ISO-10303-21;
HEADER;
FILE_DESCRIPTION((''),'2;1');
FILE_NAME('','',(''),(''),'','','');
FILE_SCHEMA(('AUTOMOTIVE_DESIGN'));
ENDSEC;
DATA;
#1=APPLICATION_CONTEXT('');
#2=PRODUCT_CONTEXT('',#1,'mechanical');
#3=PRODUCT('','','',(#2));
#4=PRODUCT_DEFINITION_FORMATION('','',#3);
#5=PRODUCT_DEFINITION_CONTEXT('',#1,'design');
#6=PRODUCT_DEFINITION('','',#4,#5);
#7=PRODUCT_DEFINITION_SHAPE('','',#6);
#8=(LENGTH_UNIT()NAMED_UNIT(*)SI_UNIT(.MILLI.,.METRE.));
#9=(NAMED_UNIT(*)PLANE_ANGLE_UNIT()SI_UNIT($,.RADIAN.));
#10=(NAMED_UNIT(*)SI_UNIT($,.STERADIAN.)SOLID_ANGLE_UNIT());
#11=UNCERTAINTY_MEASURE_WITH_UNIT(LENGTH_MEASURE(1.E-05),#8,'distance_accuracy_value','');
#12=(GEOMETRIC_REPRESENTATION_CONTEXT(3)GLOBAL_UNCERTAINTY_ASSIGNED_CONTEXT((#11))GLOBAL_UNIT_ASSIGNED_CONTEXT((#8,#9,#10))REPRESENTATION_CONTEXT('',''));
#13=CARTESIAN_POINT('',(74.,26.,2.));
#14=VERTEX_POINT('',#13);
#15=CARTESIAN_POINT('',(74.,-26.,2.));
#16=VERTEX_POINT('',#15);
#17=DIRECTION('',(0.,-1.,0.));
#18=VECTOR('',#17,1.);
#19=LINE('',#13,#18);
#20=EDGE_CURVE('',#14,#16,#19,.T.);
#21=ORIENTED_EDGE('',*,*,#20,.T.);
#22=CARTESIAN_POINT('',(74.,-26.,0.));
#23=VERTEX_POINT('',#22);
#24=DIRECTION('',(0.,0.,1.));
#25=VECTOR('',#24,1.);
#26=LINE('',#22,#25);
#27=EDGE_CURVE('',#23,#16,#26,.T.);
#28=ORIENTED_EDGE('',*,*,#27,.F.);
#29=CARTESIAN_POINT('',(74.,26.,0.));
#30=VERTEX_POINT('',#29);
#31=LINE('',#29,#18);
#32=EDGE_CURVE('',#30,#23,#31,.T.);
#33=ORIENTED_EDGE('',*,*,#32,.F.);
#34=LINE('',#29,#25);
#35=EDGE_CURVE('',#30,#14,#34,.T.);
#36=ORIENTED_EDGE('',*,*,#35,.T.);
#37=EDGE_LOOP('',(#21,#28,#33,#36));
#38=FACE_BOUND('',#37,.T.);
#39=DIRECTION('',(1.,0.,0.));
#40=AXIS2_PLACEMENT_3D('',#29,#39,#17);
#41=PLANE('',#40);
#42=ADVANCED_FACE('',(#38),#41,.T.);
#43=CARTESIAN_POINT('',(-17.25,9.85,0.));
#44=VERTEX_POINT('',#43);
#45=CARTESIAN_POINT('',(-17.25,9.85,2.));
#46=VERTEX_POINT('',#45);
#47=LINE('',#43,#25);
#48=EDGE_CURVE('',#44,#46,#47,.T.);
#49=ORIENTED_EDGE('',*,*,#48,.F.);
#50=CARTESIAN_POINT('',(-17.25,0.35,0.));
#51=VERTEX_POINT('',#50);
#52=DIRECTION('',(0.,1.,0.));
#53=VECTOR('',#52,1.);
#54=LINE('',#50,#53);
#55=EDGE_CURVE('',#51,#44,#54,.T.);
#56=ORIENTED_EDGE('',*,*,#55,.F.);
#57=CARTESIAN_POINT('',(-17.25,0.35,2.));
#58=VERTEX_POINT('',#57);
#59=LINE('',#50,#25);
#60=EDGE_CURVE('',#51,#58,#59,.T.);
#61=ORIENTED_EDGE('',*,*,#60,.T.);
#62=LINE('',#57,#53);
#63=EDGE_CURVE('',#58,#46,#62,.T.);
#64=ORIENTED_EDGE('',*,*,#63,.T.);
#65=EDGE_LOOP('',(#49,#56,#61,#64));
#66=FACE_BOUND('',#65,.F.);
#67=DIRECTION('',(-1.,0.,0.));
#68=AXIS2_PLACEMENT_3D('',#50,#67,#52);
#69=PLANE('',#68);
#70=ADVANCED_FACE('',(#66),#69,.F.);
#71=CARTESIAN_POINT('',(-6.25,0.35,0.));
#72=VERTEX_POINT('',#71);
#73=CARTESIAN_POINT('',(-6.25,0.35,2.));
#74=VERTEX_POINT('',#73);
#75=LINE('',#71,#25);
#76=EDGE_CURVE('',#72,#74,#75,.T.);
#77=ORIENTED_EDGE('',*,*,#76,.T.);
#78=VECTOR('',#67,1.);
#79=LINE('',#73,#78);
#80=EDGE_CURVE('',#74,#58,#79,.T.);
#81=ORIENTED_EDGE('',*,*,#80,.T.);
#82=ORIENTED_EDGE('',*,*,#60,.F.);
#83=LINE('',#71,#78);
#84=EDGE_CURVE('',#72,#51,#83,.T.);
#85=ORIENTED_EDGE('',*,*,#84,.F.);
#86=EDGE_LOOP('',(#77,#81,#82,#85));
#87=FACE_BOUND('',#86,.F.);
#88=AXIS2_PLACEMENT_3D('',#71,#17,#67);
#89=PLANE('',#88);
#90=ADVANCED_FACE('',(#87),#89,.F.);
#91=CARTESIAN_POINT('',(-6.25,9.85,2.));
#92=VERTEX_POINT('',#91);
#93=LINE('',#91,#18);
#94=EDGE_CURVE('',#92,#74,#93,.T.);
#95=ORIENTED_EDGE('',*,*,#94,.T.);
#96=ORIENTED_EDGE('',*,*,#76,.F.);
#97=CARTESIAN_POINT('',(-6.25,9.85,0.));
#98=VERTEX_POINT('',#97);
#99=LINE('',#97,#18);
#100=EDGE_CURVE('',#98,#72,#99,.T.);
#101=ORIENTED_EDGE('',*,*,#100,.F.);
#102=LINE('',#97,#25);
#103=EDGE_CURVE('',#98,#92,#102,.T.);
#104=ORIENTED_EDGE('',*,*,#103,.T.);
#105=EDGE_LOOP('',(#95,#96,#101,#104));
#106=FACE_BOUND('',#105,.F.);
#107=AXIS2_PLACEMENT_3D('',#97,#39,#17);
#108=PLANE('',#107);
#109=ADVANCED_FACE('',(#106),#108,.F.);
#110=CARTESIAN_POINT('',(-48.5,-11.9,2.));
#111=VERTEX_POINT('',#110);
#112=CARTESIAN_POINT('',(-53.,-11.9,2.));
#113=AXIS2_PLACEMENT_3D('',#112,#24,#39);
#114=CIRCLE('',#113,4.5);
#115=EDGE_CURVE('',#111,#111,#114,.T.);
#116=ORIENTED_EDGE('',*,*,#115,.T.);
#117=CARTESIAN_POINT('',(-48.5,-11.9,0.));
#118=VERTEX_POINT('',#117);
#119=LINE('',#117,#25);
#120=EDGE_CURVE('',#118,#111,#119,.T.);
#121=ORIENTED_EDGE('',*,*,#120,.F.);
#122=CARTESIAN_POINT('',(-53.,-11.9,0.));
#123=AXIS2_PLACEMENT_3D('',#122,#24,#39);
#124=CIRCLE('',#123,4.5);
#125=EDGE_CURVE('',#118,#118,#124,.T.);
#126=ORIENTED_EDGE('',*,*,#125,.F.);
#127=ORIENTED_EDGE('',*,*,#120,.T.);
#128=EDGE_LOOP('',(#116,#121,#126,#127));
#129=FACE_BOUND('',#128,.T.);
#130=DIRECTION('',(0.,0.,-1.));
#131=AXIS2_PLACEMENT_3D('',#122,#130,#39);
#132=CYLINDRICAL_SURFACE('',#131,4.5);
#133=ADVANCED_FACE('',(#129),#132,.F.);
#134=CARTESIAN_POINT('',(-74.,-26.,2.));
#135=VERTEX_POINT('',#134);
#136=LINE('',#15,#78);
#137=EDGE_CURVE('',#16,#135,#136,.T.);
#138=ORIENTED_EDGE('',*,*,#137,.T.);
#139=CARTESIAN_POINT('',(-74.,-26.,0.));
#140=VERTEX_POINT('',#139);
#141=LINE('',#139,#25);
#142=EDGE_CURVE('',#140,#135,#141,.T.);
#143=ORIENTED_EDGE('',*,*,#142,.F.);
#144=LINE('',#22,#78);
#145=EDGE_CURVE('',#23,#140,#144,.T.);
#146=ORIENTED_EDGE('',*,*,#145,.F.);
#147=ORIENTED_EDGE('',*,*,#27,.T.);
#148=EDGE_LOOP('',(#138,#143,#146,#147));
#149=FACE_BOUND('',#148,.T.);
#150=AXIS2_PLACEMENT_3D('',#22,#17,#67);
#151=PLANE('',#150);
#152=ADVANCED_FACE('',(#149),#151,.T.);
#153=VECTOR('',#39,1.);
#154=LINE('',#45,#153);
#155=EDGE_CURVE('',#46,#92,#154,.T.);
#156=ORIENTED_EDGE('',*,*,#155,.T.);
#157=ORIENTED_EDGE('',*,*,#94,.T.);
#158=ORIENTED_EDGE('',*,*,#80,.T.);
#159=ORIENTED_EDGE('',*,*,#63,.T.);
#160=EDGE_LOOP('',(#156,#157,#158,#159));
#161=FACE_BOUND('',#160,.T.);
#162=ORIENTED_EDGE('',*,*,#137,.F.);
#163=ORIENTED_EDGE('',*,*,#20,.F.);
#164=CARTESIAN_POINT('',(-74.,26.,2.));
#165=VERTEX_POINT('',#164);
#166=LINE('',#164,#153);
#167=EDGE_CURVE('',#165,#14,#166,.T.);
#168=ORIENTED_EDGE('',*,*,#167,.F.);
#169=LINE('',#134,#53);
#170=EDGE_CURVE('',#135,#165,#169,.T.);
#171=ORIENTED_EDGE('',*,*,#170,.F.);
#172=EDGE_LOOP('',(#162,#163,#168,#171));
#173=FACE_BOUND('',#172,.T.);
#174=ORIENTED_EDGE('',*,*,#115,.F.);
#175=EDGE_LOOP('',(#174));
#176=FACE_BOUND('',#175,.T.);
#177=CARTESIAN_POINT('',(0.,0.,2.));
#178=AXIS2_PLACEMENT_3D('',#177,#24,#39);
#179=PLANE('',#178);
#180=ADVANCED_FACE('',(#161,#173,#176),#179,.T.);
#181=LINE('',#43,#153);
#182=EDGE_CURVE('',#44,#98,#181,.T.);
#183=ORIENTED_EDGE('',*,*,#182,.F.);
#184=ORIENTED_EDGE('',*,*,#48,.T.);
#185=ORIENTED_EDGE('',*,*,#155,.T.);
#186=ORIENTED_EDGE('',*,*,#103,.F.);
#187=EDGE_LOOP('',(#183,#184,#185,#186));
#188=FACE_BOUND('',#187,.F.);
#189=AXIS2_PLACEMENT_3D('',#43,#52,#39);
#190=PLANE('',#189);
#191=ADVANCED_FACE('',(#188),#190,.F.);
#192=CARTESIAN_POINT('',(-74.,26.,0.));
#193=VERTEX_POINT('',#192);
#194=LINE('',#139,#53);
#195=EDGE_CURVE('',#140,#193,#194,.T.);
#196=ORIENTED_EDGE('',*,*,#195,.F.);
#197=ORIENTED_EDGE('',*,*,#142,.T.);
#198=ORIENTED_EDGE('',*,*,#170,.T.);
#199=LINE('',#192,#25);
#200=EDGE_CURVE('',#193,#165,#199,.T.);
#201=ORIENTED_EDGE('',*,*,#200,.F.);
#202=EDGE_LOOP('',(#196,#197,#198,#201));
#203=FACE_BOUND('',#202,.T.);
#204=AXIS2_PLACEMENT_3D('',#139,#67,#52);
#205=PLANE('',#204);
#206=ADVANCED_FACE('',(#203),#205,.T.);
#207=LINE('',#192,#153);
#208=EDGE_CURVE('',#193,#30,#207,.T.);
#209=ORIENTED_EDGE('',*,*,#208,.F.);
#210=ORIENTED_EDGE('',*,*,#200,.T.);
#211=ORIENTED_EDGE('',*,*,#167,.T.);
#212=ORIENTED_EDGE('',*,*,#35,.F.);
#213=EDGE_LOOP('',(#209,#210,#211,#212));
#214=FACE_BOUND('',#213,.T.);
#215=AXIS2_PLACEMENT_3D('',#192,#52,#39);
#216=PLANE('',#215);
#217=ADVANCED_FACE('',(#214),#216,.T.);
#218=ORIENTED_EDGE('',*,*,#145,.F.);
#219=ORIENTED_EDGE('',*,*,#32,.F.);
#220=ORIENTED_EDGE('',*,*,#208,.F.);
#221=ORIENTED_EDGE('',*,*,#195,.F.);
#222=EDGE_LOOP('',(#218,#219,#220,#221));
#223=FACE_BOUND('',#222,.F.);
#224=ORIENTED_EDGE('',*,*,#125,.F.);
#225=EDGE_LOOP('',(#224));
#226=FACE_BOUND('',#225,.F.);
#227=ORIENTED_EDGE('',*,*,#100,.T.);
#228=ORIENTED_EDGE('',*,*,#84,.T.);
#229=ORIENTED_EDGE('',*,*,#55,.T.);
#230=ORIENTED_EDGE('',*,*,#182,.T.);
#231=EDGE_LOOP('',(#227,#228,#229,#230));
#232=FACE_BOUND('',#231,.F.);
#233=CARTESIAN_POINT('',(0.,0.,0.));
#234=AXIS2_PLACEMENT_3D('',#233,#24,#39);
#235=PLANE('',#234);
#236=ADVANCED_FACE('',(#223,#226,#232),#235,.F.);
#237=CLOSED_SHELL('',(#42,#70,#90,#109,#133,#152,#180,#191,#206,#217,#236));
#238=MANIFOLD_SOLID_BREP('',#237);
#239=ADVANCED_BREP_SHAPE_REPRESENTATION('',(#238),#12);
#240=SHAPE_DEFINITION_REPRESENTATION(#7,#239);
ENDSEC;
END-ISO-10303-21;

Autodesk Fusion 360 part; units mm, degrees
sketch "Skizze1" plane through (0, 0, 0) normal (0, 0, 1) x (1, 0, 0)
  line L0 (74, -26) -> (-74, -26)
  line L1 (-74, -26) -> (-74, 26)
  line L2 (-74, 26) -> (74, 26)
  line L3 (74, 26) -> (74, -26)
  line L4 (74, -26) -> (-74, 26) construction
  line L5 (-74, -26) -> (74, 26) construction
  line L6 (-11.75, 61.7133) -> (-11.75, -53.3839) construction
  line L7 (-97.1763, 5.1) -> (112.5731, 5.1) construction
  line L8 (-53, 57.008) -> (-53, -45) construction
  line L9 (-95.9922, -11.9) -> (-35, -11.9) construction
  circle A0 centre (-53, -11.9) radius 4.5
  line L10 (-6.25, 0.35) -> (-17.25, 0.35)
  line L11 (-17.25, 0.35) -> (-17.25, 9.85)
  line L12 (-17.25, 9.85) -> (-6.25, 9.85)
  line L13 (-6.25, 9.85) -> (-6.25, 0.35)
  line L14 (-6.25, 0.35) -> (-17.25, 9.85) construction
  line L15 (-17.25, 0.35) -> (-6.25, 9.85) construction
  point P0 (-53, -11.9)
  point P1 (-11.75, 5.1)
  dimension "d1" = 148
  dimension "d2" = 52
  dimension "d3" = 62.25
  dimension "d4" = 20.9
  dimension "d6" = 21
  dimension "d8" = 37.9
  dimension "d9" = 9
  dimension "d12" = 11
  dimension "d13" = 9.5
extrude "Extrusion1" add sketch "Skizze1" along normal blind 2
